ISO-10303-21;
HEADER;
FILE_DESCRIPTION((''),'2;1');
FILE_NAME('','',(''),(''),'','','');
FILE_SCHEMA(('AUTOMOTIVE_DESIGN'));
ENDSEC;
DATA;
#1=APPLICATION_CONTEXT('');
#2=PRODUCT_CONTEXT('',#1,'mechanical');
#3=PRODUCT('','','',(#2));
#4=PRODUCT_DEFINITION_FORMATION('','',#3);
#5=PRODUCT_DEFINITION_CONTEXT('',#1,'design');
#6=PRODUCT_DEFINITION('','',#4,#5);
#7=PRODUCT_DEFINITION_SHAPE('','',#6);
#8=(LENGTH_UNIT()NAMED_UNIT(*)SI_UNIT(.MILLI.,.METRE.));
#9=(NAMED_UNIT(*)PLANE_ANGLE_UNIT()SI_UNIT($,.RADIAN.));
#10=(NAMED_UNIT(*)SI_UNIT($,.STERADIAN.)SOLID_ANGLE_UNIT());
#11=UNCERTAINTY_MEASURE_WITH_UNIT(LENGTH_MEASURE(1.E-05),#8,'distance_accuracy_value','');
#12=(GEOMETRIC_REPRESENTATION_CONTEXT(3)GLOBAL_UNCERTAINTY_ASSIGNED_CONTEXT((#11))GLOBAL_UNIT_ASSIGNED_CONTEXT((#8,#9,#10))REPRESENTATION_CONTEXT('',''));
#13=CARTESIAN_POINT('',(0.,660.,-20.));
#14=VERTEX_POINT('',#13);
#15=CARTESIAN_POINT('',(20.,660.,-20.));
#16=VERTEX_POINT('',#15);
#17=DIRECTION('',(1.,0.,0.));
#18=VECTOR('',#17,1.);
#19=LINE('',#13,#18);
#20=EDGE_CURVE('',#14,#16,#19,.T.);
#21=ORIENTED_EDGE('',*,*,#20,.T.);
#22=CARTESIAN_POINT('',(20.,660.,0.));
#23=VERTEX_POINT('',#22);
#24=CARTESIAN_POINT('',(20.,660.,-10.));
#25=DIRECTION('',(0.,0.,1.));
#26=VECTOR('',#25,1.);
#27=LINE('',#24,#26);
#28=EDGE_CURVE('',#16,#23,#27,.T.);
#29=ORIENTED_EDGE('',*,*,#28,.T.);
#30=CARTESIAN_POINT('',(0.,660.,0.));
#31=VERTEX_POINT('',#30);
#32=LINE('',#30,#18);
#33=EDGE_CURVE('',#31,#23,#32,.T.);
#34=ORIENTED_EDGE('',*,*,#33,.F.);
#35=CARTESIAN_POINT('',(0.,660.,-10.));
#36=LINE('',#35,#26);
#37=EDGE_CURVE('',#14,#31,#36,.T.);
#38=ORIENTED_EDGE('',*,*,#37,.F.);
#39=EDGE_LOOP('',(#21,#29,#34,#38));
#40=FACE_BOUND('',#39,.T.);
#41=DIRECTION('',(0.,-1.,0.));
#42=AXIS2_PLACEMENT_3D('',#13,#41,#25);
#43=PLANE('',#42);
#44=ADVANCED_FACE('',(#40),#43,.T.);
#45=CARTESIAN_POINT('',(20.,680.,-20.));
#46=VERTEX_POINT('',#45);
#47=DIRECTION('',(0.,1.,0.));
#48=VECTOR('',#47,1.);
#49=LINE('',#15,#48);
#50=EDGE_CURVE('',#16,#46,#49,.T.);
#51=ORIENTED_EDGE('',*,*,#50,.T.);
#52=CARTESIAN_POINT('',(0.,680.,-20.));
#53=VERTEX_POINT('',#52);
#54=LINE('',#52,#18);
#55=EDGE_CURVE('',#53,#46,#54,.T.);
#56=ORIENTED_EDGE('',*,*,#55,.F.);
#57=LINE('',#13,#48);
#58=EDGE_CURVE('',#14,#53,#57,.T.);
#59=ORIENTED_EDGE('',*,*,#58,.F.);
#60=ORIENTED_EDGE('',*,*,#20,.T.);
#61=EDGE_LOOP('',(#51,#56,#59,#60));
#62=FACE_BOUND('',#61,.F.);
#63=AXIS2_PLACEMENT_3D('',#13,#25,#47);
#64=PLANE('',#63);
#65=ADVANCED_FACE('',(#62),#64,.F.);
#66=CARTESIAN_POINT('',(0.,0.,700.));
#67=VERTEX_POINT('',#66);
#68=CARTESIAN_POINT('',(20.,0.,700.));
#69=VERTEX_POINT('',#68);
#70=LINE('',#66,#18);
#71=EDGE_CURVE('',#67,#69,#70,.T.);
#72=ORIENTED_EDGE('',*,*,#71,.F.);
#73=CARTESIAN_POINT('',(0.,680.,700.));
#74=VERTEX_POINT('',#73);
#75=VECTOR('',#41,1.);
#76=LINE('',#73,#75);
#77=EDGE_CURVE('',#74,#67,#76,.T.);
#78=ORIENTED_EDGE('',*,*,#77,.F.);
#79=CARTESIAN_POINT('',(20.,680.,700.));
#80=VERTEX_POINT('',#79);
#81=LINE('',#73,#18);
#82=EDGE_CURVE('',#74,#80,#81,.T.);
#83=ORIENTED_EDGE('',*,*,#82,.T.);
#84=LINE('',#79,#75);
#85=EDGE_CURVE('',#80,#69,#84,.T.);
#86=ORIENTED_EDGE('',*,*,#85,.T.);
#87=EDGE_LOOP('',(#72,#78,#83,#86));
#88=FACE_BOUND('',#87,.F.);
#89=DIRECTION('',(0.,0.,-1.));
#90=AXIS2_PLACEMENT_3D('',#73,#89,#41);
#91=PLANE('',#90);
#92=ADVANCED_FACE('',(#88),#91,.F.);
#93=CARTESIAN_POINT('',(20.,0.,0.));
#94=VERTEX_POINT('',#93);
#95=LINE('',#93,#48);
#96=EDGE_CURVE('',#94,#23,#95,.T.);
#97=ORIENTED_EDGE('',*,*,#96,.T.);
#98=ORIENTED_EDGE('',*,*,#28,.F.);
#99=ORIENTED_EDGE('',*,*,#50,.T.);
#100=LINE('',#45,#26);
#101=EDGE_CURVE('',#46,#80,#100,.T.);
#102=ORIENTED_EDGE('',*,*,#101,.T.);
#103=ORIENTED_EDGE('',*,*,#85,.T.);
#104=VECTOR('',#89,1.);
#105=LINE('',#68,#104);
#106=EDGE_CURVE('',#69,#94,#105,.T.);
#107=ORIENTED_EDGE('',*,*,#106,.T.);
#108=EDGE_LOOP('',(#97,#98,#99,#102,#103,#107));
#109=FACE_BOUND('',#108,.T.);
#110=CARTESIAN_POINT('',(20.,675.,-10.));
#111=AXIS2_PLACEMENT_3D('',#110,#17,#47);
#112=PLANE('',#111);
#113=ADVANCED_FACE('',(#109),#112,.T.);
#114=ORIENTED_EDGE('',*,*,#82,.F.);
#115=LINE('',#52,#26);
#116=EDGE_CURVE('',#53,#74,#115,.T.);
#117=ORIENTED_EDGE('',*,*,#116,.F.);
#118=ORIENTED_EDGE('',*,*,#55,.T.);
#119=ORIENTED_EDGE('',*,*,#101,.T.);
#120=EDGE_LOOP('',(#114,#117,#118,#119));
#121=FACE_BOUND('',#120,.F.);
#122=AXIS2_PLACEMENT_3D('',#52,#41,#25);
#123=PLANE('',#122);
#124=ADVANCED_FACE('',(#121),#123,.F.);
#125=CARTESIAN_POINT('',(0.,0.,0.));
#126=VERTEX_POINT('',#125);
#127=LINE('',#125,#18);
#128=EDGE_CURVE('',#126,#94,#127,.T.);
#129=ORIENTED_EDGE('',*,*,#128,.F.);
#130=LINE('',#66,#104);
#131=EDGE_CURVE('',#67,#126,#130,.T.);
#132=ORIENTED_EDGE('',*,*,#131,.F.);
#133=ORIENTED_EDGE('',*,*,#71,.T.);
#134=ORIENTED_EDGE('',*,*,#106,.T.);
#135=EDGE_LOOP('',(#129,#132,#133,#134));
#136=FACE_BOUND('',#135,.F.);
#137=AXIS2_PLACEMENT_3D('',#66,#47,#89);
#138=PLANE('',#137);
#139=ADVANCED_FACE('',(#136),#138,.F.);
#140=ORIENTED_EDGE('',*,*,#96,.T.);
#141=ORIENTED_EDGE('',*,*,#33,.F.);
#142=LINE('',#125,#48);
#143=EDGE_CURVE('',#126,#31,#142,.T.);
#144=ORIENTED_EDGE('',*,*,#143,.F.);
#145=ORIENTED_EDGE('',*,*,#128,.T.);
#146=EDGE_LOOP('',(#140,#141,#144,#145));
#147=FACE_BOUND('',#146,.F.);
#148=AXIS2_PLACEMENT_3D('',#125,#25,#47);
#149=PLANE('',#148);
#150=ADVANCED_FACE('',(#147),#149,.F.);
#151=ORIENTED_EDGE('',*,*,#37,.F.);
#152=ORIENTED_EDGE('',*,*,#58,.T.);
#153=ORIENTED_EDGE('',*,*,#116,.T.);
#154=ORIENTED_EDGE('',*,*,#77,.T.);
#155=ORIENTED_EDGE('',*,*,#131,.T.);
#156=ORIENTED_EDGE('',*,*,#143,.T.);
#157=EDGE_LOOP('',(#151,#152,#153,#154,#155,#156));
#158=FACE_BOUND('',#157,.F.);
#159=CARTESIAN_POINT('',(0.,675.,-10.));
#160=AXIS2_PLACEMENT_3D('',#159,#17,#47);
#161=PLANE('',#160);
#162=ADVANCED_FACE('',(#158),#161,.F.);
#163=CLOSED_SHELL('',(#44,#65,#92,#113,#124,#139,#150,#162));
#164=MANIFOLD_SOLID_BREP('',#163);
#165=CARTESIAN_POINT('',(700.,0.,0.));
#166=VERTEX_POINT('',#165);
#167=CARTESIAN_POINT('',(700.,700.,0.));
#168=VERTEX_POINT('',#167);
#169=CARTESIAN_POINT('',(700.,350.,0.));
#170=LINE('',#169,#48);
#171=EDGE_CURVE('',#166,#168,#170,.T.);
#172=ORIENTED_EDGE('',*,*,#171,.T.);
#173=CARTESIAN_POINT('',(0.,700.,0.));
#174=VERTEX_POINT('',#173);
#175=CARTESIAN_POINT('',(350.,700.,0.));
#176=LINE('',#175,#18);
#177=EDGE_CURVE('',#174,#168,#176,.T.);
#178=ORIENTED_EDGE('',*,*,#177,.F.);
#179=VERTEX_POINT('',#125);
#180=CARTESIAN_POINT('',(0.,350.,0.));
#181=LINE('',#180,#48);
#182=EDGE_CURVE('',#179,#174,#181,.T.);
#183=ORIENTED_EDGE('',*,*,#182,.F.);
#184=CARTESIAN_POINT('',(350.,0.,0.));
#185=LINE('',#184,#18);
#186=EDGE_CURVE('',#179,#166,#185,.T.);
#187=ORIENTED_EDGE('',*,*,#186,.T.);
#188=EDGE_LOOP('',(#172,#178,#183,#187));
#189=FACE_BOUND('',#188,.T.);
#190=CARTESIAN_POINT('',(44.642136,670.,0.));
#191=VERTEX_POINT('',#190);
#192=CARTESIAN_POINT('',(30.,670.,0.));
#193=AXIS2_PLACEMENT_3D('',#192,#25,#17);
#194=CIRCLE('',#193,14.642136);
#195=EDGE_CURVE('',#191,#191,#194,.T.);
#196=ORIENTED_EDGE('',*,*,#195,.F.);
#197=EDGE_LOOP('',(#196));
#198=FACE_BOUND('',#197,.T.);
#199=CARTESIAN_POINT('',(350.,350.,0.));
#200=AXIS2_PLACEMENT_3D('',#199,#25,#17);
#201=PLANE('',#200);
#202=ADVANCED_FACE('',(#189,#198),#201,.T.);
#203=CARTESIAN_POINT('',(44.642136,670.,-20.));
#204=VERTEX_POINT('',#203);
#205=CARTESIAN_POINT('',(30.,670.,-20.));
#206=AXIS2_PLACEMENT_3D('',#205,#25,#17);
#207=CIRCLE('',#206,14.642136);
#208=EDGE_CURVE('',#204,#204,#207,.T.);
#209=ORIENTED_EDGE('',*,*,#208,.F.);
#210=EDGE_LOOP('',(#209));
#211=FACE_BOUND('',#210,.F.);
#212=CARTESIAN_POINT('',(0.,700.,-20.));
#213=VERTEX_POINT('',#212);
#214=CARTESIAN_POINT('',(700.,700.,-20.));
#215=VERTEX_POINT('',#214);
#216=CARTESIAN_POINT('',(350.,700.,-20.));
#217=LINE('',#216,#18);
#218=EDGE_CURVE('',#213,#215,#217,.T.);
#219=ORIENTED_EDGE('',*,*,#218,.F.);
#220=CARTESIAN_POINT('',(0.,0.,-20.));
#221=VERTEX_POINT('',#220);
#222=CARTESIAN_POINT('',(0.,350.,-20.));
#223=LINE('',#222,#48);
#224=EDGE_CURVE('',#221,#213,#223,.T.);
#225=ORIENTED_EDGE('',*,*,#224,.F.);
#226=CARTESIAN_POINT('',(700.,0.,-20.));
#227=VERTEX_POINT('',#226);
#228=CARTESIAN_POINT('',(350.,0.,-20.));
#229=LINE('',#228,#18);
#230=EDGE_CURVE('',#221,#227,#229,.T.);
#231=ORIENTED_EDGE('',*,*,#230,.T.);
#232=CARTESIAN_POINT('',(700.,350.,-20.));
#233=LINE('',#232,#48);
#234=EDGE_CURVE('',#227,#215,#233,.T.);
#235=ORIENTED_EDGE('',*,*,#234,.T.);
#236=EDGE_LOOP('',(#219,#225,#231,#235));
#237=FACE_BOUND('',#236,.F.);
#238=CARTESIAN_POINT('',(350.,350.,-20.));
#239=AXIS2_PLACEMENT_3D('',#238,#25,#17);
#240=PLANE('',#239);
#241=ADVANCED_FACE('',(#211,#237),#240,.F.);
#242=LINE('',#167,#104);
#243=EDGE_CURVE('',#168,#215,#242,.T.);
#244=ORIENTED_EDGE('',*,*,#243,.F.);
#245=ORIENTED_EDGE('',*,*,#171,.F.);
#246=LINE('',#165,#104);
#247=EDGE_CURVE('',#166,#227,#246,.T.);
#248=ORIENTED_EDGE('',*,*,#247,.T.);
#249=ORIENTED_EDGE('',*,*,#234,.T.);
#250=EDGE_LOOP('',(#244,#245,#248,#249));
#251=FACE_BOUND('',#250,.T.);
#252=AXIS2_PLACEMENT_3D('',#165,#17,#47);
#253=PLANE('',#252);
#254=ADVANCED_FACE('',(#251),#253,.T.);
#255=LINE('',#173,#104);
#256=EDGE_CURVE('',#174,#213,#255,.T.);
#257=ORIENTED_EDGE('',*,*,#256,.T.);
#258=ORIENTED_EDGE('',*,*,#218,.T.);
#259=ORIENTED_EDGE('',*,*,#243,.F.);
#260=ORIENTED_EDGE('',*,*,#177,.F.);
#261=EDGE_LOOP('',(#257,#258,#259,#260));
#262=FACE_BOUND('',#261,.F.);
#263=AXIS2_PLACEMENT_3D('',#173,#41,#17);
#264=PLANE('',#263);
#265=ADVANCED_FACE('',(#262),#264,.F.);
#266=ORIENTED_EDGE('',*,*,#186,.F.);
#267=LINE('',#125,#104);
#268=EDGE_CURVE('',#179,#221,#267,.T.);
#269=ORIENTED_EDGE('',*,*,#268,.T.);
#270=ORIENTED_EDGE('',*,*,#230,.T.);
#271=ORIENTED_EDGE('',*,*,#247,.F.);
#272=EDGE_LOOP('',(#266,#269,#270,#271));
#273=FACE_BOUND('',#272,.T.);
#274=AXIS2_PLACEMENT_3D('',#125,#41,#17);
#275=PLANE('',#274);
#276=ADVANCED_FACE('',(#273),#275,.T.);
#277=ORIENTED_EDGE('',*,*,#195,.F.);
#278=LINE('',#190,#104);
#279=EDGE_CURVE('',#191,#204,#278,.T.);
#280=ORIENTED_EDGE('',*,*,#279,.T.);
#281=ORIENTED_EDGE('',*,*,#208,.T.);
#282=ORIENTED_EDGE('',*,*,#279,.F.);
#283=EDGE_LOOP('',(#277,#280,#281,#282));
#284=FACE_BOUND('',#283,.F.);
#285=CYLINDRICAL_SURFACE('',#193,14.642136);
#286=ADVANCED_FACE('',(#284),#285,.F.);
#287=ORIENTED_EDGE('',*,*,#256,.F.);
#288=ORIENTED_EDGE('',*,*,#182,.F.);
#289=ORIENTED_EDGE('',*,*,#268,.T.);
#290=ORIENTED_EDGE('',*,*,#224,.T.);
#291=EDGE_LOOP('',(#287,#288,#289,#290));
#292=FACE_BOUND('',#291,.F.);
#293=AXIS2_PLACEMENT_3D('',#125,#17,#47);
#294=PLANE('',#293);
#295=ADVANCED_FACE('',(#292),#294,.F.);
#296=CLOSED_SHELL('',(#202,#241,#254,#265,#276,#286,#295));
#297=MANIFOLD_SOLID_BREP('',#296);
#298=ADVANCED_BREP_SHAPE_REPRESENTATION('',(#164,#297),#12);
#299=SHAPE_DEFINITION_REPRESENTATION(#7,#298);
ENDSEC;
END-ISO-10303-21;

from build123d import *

# Parameters (mm, degrees)
F1_W     = 700
F1_H     = 700
F1_R     = 14.6421356237
F2_DEPTH = 20
F3_W     = 10
F3_H     = 20
F4_DEPTH = 20


with BuildPart() as f2:
    # F1 (on Top) → F2 (new body)
    with BuildSketch(Plane.XY):
        with Locations((350, 350)):
            Rectangle(F1_W, F1_H)
        with Locations((30, 670)):
            Circle(F1_R, mode=Mode.SUBTRACT)
    extrude(amount=-F2_DEPTH)


with BuildPart() as f4:
    # F3 (on Right) → F4 (new body)
    with BuildSketch(Plane.YZ):
        with Locations((675, -10)):
            Rectangle(F3_W, F3_H)
        Polygon((670, 0), (680, 0), (680, 700), (0, 700), (0, 0), (660, 0), align=None)
        with Locations((665, -10)):
            Rectangle(F3_W, F3_H)
    extrude(amount=F4_DEPTH)


solid = Compound([f2.part, f4.part])
